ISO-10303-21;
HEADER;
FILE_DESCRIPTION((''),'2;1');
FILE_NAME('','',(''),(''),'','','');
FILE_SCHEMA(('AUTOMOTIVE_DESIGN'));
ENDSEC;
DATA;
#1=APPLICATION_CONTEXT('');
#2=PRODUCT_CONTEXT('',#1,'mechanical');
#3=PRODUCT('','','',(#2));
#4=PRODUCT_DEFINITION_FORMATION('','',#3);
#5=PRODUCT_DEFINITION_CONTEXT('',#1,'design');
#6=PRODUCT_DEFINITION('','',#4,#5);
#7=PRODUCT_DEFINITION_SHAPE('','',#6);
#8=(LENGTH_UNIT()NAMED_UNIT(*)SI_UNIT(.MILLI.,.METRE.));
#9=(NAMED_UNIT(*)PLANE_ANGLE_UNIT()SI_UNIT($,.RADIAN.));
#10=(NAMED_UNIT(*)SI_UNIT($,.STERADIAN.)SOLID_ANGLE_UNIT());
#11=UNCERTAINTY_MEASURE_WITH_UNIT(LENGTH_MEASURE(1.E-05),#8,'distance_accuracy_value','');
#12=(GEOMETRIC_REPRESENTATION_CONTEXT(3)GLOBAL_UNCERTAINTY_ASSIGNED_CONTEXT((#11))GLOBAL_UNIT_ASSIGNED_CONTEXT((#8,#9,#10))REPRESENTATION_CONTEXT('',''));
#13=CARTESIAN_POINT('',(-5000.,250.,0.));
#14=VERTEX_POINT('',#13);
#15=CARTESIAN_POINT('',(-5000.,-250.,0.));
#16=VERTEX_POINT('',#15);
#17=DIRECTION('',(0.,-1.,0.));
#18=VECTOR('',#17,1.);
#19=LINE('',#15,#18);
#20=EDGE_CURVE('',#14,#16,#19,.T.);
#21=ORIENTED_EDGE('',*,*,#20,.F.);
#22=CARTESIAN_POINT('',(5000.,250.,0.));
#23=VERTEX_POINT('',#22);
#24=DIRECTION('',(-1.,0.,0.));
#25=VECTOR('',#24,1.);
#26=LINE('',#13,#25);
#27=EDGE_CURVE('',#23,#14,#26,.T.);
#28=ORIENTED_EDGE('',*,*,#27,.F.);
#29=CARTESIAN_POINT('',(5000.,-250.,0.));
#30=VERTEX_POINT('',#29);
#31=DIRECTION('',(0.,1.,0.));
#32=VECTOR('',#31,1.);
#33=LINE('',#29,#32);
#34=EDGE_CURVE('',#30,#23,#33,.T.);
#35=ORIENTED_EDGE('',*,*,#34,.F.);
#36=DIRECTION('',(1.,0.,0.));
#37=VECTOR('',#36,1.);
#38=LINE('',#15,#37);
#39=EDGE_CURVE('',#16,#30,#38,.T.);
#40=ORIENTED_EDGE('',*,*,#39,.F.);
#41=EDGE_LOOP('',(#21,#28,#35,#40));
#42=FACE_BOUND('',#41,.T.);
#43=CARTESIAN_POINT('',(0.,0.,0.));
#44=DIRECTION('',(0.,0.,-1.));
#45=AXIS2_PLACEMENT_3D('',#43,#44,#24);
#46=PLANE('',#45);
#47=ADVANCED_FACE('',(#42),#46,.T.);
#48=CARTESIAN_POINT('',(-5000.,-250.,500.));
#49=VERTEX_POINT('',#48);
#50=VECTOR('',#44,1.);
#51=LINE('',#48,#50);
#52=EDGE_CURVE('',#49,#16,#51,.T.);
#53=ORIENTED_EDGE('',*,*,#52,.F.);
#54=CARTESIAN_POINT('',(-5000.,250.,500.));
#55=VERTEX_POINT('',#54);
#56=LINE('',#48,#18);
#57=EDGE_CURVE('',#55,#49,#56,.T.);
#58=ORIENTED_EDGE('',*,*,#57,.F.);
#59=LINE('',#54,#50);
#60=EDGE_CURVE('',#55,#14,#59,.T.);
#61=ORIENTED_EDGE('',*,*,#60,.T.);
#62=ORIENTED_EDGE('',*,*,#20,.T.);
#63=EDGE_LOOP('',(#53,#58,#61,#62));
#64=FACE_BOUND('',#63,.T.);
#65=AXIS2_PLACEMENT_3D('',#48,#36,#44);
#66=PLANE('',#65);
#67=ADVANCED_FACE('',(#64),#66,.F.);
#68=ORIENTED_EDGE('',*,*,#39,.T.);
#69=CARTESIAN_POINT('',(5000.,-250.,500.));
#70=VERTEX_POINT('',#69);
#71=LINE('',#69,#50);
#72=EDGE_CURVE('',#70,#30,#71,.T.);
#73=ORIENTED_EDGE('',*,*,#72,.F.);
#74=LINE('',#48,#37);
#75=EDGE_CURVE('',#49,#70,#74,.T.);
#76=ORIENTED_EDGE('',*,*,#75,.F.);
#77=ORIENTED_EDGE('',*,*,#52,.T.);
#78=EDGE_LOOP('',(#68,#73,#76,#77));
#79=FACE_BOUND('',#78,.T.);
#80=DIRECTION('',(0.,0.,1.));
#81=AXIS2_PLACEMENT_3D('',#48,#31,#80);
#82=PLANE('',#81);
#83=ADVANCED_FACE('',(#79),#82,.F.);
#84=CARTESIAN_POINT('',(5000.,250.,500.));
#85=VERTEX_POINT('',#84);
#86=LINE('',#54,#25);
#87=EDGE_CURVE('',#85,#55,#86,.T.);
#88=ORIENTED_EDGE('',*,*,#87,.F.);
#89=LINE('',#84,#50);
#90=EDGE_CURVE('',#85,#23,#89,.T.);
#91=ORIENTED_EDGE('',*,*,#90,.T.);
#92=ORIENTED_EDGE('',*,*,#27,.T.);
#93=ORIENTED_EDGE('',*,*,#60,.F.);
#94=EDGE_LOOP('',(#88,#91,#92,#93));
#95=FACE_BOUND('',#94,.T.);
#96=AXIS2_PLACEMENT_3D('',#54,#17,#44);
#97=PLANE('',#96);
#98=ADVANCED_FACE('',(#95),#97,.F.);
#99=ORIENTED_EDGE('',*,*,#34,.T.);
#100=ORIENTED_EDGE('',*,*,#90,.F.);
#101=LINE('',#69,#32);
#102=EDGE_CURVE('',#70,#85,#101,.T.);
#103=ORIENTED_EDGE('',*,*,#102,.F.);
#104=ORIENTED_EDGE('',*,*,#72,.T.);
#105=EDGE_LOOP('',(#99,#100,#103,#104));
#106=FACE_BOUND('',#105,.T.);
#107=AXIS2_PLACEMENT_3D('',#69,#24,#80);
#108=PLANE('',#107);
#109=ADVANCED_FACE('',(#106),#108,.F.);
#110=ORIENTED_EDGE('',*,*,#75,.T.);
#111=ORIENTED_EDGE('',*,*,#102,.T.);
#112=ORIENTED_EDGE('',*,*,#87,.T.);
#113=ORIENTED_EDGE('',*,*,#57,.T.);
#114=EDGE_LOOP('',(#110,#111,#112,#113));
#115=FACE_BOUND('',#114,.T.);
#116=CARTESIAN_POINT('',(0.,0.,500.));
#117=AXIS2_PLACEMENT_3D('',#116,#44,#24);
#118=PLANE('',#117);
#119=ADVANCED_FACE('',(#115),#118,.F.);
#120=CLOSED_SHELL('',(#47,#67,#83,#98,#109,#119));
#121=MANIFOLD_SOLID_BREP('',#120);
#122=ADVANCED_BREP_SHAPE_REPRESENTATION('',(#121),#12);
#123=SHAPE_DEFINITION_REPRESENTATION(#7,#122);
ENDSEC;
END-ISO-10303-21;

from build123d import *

# Parameters (mm, degrees)
ESQUISSE1_W        = 10000
ESQUISSE1_H        = 500
BOSS_EXTRU_1_DEPTH = 500


with BuildPart() as part:
    # Esquisse1 → Boss.-Extru.1 (new body)
    with BuildSketch(Plane.XY):
        Rectangle(ESQUISSE1_W, ESQUISSE1_H)
    extrude(amount=BOSS_EXTRU_1_DEPTH)


solid = part.part
